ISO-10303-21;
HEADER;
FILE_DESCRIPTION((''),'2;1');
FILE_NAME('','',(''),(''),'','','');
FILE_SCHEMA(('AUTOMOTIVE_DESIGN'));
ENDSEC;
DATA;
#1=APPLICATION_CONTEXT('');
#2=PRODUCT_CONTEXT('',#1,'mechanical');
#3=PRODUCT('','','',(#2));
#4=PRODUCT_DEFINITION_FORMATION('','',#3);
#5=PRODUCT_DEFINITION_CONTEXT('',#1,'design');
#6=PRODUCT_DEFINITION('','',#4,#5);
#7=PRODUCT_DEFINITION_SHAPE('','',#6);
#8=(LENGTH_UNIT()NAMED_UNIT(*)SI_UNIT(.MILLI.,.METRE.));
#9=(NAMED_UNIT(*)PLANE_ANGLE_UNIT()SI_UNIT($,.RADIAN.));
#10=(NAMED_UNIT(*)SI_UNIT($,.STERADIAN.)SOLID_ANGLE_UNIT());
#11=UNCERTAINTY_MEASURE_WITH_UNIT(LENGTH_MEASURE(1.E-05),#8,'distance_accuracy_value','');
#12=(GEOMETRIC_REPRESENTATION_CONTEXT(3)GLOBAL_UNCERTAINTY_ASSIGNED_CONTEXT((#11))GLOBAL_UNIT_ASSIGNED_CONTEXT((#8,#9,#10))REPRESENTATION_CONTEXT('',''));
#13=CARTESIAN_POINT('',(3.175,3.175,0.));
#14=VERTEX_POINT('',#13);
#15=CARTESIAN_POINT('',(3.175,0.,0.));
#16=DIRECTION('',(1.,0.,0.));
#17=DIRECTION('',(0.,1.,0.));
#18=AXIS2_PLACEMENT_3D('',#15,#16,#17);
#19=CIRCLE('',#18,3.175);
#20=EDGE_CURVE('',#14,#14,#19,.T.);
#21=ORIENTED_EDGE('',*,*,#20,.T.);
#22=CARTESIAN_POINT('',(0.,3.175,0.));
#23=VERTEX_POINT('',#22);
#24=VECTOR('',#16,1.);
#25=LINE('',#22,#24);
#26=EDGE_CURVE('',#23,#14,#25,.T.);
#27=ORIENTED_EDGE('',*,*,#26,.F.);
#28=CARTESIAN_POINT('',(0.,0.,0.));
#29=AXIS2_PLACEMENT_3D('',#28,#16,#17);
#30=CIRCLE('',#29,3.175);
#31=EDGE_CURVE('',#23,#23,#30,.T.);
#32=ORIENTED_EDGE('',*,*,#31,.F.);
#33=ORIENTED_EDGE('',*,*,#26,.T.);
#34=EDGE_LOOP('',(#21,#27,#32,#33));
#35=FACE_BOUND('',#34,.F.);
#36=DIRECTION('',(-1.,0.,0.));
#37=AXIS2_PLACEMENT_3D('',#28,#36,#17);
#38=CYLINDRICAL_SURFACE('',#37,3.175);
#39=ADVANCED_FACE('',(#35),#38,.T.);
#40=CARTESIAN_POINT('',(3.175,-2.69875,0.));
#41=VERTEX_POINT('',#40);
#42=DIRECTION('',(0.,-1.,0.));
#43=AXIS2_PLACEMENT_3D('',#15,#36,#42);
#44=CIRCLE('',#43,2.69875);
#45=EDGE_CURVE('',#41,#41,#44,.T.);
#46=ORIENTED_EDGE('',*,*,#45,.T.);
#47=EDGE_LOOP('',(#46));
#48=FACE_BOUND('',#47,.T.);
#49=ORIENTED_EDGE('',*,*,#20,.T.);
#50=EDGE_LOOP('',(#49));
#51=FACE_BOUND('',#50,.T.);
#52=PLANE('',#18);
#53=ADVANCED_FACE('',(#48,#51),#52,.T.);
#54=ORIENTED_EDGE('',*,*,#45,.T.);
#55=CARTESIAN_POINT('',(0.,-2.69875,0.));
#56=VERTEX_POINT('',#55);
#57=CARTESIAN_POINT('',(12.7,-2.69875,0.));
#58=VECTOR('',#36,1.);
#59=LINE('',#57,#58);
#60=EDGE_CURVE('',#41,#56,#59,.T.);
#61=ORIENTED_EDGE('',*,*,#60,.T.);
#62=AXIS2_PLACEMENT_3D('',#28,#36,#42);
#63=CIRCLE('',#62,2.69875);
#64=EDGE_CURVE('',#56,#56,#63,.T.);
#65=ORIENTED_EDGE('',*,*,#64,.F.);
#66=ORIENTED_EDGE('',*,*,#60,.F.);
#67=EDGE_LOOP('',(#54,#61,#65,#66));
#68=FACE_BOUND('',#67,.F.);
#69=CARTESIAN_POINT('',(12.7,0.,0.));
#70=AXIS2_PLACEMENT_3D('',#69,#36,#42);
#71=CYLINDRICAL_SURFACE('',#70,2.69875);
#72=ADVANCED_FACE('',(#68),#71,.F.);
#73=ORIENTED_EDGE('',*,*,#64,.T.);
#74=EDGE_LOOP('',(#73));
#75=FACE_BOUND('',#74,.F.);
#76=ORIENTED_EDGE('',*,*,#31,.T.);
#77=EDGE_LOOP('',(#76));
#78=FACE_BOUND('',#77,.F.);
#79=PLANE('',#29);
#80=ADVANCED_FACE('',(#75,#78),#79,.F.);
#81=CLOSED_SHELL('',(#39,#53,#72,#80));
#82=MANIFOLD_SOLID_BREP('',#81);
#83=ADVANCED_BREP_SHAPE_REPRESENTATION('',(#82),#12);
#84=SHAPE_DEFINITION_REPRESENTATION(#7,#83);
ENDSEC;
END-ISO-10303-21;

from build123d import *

# Parameters (mm, degrees)
F0_R     = 12.7
F1_DEPTH = 12.7
F3_D     = 21.59
F4_SCALE = 0.25


with BuildPart() as f1:
    # F0 (on Right) → F1 (new body)
    with BuildSketch(Plane.YZ):
        Circle(F0_R)
    extrude(amount=F1_DEPTH)

    # F3 (through all)
    with Locations(Plane.YZ.offset(12.7)):
        with Locations((0, 0)):
            Hole(F3_D / 2)


with BuildPart() as f1_1:
    # F4: moved
    add(f1.part.scale(F4_SCALE))


solid = f1_1.part
